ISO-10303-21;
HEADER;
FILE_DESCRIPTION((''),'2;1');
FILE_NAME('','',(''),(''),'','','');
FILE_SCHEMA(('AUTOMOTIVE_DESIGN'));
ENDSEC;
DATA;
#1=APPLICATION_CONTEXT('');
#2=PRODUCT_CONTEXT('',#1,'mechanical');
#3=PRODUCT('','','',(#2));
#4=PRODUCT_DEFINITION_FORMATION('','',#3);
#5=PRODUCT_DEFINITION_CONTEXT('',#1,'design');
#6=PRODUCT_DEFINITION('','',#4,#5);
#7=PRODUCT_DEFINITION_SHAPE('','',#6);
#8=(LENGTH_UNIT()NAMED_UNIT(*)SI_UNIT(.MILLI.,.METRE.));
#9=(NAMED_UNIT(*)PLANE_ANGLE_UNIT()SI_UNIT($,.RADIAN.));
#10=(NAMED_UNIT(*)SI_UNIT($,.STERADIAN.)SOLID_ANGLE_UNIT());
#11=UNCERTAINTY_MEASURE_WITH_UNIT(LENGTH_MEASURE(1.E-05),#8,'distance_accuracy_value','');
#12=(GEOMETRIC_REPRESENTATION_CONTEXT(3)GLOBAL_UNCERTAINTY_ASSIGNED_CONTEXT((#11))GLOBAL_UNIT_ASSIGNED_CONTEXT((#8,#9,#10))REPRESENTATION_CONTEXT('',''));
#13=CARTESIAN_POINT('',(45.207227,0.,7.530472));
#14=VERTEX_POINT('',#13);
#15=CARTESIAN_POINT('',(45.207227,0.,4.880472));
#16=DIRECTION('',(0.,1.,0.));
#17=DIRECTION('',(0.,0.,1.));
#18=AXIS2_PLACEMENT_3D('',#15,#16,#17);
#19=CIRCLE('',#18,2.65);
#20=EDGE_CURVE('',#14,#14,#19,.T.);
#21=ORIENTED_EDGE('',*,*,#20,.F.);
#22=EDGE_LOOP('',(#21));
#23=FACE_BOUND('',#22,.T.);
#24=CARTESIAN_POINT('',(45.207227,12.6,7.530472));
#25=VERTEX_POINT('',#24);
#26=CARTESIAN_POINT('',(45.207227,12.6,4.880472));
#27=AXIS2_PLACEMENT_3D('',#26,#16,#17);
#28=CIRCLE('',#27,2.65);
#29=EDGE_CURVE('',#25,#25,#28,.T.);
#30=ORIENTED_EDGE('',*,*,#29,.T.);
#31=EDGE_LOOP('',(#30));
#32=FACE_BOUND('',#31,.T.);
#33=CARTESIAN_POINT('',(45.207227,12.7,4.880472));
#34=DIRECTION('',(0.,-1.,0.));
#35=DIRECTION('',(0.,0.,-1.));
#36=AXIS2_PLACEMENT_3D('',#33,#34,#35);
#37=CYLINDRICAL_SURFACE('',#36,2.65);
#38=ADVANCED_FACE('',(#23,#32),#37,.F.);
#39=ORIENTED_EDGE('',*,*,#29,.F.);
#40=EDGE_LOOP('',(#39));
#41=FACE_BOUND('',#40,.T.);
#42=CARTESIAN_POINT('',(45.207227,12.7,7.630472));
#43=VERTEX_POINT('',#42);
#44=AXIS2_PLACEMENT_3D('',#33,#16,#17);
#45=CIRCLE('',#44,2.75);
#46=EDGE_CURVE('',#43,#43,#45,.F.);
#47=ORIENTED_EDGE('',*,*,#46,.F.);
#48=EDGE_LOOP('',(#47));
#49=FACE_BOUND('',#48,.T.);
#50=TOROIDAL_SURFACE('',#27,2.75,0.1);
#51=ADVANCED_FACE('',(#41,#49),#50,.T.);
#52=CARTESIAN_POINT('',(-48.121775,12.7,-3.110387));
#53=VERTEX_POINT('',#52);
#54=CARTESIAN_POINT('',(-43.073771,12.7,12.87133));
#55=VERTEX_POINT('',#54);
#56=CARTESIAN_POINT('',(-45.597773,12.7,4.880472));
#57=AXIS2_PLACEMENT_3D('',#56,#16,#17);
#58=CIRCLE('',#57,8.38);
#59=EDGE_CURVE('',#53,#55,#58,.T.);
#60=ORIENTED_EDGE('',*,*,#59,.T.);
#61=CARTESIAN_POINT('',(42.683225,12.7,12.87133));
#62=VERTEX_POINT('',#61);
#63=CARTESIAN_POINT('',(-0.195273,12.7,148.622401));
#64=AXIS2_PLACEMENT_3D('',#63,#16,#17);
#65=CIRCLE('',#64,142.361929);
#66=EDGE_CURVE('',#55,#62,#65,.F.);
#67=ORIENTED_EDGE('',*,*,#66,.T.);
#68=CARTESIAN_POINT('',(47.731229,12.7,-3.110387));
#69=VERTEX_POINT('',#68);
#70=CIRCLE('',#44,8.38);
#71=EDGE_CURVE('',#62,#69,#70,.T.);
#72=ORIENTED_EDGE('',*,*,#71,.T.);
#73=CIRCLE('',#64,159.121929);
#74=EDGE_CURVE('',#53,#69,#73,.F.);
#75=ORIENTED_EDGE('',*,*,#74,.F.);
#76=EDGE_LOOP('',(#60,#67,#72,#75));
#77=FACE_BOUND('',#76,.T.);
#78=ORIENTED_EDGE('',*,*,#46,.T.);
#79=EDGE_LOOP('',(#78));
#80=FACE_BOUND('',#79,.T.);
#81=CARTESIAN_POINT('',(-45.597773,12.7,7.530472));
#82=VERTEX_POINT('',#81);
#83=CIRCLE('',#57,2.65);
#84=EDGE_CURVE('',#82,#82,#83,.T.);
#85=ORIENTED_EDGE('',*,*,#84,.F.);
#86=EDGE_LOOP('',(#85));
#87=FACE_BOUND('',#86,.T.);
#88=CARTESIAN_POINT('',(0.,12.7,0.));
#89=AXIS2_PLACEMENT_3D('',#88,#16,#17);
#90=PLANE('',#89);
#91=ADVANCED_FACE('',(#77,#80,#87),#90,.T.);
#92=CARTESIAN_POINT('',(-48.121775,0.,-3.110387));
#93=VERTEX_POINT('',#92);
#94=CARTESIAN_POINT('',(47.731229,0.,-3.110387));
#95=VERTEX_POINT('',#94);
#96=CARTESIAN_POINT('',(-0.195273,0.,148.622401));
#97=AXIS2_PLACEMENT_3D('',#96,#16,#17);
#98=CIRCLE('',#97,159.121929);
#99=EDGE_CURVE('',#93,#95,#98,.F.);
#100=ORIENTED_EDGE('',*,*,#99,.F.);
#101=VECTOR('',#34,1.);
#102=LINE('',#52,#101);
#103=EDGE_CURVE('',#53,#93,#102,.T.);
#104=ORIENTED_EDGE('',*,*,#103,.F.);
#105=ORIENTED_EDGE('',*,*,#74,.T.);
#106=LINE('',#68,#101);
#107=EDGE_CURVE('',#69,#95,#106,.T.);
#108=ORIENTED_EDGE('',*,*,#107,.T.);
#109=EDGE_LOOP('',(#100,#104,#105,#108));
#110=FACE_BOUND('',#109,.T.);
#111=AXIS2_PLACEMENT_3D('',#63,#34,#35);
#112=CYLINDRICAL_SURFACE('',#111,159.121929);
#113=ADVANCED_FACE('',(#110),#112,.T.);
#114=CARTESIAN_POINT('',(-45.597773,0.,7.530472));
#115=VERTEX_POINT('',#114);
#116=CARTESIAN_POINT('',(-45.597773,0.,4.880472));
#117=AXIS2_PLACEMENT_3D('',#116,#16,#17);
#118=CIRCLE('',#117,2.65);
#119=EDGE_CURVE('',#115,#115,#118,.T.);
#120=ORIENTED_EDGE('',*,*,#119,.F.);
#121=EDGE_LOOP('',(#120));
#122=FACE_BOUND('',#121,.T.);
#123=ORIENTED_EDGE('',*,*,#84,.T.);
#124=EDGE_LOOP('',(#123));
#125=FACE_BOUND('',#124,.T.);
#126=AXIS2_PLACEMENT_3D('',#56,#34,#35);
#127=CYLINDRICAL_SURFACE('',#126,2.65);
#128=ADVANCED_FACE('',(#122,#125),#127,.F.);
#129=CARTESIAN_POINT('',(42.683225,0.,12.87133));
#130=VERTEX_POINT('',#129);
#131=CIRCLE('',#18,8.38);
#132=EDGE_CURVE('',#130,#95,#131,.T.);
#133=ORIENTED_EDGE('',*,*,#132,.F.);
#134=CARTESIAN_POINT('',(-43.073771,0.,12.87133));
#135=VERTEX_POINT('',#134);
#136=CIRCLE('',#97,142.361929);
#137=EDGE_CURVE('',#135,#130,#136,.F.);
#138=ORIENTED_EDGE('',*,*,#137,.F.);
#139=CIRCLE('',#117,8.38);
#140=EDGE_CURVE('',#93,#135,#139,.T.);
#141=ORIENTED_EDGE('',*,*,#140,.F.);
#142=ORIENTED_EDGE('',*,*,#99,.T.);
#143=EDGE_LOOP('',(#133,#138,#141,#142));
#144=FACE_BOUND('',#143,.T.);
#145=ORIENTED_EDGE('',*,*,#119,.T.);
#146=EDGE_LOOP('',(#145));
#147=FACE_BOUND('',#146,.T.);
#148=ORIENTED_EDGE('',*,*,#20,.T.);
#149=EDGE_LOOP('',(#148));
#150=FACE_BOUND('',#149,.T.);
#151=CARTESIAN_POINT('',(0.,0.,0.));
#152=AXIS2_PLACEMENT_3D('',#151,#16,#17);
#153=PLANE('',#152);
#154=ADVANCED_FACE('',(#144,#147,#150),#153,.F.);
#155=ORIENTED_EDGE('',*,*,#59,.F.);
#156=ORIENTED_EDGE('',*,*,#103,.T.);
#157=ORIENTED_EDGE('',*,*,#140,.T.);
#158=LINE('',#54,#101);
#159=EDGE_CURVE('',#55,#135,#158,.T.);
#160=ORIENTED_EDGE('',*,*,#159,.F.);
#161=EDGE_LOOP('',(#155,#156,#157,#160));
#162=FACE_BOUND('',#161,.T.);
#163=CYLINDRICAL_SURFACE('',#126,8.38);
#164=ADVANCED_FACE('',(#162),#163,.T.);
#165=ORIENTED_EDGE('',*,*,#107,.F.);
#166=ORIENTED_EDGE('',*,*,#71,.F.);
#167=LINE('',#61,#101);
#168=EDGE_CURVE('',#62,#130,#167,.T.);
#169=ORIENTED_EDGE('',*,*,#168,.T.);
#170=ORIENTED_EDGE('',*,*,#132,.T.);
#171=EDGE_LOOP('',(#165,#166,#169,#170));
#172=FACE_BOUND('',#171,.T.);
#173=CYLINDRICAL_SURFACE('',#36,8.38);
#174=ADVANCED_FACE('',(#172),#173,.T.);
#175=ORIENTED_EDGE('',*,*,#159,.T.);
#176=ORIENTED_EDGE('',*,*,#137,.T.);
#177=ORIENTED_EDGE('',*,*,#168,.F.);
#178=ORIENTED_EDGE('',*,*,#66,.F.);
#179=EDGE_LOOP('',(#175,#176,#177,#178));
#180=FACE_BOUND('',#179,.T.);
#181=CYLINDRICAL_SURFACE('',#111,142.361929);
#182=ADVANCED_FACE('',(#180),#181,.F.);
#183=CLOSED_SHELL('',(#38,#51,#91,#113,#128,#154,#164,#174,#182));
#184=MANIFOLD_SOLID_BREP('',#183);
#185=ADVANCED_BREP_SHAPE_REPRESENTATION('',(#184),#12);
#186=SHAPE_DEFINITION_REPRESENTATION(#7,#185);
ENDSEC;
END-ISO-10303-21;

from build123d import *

# Parameters (mm, degrees)
SKETCH1_R           = 2.65
BOSS_EXTRUDE1_DEPTH = 12.7
FILLET1_R           = 0.1


with BuildPart() as part:
    # Sketch1 → Boss-Extrude1 (new body)
    with BuildSketch(Plane(origin=(0, 0, 0), x_dir=(1, 0, 0), z_dir=(0, 1, 0))):
        with BuildLine():
            ThreePointArc((-48.121775191, 3.110386532), (-53.588631165, -7.404473703), (-43.07377093, -12.871329677))
            ThreePointArc((-43.07377093, -12.871329677), (-0.19527306, -6.260471572), (42.683224809, -12.871329677))
            ThreePointArc((42.683224809, -12.871329677), (53.198085044, -7.404473703), (47.73122907, 3.110386532))
            ThreePointArc((47.73122907, 3.110386532), (-0.19527306, 10.499528428), (-48.121775191, 3.110386532))
        make_face()
        with Locations(Location((-45.59777306, -4.880471572, 0), (0, 0, 270))):
            Circle(SKETCH1_R, mode=Mode.SUBTRACT)
        with Locations(Location((45.20722694, -4.880471572, 0), (0, 0, 270))):
            Circle(SKETCH1_R, mode=Mode.SUBTRACT)
    extrude(amount=BOSS_EXTRUDE1_DEPTH)

    # Fillet1
    fillet1_edges = [part.edges().sort_by_distance(p)[0] for p in [
        (45.20722694, 12.7, 2.230471572),
    ]]
    fillet(fillet1_edges, radius=FILLET1_R)


solid = part.part
